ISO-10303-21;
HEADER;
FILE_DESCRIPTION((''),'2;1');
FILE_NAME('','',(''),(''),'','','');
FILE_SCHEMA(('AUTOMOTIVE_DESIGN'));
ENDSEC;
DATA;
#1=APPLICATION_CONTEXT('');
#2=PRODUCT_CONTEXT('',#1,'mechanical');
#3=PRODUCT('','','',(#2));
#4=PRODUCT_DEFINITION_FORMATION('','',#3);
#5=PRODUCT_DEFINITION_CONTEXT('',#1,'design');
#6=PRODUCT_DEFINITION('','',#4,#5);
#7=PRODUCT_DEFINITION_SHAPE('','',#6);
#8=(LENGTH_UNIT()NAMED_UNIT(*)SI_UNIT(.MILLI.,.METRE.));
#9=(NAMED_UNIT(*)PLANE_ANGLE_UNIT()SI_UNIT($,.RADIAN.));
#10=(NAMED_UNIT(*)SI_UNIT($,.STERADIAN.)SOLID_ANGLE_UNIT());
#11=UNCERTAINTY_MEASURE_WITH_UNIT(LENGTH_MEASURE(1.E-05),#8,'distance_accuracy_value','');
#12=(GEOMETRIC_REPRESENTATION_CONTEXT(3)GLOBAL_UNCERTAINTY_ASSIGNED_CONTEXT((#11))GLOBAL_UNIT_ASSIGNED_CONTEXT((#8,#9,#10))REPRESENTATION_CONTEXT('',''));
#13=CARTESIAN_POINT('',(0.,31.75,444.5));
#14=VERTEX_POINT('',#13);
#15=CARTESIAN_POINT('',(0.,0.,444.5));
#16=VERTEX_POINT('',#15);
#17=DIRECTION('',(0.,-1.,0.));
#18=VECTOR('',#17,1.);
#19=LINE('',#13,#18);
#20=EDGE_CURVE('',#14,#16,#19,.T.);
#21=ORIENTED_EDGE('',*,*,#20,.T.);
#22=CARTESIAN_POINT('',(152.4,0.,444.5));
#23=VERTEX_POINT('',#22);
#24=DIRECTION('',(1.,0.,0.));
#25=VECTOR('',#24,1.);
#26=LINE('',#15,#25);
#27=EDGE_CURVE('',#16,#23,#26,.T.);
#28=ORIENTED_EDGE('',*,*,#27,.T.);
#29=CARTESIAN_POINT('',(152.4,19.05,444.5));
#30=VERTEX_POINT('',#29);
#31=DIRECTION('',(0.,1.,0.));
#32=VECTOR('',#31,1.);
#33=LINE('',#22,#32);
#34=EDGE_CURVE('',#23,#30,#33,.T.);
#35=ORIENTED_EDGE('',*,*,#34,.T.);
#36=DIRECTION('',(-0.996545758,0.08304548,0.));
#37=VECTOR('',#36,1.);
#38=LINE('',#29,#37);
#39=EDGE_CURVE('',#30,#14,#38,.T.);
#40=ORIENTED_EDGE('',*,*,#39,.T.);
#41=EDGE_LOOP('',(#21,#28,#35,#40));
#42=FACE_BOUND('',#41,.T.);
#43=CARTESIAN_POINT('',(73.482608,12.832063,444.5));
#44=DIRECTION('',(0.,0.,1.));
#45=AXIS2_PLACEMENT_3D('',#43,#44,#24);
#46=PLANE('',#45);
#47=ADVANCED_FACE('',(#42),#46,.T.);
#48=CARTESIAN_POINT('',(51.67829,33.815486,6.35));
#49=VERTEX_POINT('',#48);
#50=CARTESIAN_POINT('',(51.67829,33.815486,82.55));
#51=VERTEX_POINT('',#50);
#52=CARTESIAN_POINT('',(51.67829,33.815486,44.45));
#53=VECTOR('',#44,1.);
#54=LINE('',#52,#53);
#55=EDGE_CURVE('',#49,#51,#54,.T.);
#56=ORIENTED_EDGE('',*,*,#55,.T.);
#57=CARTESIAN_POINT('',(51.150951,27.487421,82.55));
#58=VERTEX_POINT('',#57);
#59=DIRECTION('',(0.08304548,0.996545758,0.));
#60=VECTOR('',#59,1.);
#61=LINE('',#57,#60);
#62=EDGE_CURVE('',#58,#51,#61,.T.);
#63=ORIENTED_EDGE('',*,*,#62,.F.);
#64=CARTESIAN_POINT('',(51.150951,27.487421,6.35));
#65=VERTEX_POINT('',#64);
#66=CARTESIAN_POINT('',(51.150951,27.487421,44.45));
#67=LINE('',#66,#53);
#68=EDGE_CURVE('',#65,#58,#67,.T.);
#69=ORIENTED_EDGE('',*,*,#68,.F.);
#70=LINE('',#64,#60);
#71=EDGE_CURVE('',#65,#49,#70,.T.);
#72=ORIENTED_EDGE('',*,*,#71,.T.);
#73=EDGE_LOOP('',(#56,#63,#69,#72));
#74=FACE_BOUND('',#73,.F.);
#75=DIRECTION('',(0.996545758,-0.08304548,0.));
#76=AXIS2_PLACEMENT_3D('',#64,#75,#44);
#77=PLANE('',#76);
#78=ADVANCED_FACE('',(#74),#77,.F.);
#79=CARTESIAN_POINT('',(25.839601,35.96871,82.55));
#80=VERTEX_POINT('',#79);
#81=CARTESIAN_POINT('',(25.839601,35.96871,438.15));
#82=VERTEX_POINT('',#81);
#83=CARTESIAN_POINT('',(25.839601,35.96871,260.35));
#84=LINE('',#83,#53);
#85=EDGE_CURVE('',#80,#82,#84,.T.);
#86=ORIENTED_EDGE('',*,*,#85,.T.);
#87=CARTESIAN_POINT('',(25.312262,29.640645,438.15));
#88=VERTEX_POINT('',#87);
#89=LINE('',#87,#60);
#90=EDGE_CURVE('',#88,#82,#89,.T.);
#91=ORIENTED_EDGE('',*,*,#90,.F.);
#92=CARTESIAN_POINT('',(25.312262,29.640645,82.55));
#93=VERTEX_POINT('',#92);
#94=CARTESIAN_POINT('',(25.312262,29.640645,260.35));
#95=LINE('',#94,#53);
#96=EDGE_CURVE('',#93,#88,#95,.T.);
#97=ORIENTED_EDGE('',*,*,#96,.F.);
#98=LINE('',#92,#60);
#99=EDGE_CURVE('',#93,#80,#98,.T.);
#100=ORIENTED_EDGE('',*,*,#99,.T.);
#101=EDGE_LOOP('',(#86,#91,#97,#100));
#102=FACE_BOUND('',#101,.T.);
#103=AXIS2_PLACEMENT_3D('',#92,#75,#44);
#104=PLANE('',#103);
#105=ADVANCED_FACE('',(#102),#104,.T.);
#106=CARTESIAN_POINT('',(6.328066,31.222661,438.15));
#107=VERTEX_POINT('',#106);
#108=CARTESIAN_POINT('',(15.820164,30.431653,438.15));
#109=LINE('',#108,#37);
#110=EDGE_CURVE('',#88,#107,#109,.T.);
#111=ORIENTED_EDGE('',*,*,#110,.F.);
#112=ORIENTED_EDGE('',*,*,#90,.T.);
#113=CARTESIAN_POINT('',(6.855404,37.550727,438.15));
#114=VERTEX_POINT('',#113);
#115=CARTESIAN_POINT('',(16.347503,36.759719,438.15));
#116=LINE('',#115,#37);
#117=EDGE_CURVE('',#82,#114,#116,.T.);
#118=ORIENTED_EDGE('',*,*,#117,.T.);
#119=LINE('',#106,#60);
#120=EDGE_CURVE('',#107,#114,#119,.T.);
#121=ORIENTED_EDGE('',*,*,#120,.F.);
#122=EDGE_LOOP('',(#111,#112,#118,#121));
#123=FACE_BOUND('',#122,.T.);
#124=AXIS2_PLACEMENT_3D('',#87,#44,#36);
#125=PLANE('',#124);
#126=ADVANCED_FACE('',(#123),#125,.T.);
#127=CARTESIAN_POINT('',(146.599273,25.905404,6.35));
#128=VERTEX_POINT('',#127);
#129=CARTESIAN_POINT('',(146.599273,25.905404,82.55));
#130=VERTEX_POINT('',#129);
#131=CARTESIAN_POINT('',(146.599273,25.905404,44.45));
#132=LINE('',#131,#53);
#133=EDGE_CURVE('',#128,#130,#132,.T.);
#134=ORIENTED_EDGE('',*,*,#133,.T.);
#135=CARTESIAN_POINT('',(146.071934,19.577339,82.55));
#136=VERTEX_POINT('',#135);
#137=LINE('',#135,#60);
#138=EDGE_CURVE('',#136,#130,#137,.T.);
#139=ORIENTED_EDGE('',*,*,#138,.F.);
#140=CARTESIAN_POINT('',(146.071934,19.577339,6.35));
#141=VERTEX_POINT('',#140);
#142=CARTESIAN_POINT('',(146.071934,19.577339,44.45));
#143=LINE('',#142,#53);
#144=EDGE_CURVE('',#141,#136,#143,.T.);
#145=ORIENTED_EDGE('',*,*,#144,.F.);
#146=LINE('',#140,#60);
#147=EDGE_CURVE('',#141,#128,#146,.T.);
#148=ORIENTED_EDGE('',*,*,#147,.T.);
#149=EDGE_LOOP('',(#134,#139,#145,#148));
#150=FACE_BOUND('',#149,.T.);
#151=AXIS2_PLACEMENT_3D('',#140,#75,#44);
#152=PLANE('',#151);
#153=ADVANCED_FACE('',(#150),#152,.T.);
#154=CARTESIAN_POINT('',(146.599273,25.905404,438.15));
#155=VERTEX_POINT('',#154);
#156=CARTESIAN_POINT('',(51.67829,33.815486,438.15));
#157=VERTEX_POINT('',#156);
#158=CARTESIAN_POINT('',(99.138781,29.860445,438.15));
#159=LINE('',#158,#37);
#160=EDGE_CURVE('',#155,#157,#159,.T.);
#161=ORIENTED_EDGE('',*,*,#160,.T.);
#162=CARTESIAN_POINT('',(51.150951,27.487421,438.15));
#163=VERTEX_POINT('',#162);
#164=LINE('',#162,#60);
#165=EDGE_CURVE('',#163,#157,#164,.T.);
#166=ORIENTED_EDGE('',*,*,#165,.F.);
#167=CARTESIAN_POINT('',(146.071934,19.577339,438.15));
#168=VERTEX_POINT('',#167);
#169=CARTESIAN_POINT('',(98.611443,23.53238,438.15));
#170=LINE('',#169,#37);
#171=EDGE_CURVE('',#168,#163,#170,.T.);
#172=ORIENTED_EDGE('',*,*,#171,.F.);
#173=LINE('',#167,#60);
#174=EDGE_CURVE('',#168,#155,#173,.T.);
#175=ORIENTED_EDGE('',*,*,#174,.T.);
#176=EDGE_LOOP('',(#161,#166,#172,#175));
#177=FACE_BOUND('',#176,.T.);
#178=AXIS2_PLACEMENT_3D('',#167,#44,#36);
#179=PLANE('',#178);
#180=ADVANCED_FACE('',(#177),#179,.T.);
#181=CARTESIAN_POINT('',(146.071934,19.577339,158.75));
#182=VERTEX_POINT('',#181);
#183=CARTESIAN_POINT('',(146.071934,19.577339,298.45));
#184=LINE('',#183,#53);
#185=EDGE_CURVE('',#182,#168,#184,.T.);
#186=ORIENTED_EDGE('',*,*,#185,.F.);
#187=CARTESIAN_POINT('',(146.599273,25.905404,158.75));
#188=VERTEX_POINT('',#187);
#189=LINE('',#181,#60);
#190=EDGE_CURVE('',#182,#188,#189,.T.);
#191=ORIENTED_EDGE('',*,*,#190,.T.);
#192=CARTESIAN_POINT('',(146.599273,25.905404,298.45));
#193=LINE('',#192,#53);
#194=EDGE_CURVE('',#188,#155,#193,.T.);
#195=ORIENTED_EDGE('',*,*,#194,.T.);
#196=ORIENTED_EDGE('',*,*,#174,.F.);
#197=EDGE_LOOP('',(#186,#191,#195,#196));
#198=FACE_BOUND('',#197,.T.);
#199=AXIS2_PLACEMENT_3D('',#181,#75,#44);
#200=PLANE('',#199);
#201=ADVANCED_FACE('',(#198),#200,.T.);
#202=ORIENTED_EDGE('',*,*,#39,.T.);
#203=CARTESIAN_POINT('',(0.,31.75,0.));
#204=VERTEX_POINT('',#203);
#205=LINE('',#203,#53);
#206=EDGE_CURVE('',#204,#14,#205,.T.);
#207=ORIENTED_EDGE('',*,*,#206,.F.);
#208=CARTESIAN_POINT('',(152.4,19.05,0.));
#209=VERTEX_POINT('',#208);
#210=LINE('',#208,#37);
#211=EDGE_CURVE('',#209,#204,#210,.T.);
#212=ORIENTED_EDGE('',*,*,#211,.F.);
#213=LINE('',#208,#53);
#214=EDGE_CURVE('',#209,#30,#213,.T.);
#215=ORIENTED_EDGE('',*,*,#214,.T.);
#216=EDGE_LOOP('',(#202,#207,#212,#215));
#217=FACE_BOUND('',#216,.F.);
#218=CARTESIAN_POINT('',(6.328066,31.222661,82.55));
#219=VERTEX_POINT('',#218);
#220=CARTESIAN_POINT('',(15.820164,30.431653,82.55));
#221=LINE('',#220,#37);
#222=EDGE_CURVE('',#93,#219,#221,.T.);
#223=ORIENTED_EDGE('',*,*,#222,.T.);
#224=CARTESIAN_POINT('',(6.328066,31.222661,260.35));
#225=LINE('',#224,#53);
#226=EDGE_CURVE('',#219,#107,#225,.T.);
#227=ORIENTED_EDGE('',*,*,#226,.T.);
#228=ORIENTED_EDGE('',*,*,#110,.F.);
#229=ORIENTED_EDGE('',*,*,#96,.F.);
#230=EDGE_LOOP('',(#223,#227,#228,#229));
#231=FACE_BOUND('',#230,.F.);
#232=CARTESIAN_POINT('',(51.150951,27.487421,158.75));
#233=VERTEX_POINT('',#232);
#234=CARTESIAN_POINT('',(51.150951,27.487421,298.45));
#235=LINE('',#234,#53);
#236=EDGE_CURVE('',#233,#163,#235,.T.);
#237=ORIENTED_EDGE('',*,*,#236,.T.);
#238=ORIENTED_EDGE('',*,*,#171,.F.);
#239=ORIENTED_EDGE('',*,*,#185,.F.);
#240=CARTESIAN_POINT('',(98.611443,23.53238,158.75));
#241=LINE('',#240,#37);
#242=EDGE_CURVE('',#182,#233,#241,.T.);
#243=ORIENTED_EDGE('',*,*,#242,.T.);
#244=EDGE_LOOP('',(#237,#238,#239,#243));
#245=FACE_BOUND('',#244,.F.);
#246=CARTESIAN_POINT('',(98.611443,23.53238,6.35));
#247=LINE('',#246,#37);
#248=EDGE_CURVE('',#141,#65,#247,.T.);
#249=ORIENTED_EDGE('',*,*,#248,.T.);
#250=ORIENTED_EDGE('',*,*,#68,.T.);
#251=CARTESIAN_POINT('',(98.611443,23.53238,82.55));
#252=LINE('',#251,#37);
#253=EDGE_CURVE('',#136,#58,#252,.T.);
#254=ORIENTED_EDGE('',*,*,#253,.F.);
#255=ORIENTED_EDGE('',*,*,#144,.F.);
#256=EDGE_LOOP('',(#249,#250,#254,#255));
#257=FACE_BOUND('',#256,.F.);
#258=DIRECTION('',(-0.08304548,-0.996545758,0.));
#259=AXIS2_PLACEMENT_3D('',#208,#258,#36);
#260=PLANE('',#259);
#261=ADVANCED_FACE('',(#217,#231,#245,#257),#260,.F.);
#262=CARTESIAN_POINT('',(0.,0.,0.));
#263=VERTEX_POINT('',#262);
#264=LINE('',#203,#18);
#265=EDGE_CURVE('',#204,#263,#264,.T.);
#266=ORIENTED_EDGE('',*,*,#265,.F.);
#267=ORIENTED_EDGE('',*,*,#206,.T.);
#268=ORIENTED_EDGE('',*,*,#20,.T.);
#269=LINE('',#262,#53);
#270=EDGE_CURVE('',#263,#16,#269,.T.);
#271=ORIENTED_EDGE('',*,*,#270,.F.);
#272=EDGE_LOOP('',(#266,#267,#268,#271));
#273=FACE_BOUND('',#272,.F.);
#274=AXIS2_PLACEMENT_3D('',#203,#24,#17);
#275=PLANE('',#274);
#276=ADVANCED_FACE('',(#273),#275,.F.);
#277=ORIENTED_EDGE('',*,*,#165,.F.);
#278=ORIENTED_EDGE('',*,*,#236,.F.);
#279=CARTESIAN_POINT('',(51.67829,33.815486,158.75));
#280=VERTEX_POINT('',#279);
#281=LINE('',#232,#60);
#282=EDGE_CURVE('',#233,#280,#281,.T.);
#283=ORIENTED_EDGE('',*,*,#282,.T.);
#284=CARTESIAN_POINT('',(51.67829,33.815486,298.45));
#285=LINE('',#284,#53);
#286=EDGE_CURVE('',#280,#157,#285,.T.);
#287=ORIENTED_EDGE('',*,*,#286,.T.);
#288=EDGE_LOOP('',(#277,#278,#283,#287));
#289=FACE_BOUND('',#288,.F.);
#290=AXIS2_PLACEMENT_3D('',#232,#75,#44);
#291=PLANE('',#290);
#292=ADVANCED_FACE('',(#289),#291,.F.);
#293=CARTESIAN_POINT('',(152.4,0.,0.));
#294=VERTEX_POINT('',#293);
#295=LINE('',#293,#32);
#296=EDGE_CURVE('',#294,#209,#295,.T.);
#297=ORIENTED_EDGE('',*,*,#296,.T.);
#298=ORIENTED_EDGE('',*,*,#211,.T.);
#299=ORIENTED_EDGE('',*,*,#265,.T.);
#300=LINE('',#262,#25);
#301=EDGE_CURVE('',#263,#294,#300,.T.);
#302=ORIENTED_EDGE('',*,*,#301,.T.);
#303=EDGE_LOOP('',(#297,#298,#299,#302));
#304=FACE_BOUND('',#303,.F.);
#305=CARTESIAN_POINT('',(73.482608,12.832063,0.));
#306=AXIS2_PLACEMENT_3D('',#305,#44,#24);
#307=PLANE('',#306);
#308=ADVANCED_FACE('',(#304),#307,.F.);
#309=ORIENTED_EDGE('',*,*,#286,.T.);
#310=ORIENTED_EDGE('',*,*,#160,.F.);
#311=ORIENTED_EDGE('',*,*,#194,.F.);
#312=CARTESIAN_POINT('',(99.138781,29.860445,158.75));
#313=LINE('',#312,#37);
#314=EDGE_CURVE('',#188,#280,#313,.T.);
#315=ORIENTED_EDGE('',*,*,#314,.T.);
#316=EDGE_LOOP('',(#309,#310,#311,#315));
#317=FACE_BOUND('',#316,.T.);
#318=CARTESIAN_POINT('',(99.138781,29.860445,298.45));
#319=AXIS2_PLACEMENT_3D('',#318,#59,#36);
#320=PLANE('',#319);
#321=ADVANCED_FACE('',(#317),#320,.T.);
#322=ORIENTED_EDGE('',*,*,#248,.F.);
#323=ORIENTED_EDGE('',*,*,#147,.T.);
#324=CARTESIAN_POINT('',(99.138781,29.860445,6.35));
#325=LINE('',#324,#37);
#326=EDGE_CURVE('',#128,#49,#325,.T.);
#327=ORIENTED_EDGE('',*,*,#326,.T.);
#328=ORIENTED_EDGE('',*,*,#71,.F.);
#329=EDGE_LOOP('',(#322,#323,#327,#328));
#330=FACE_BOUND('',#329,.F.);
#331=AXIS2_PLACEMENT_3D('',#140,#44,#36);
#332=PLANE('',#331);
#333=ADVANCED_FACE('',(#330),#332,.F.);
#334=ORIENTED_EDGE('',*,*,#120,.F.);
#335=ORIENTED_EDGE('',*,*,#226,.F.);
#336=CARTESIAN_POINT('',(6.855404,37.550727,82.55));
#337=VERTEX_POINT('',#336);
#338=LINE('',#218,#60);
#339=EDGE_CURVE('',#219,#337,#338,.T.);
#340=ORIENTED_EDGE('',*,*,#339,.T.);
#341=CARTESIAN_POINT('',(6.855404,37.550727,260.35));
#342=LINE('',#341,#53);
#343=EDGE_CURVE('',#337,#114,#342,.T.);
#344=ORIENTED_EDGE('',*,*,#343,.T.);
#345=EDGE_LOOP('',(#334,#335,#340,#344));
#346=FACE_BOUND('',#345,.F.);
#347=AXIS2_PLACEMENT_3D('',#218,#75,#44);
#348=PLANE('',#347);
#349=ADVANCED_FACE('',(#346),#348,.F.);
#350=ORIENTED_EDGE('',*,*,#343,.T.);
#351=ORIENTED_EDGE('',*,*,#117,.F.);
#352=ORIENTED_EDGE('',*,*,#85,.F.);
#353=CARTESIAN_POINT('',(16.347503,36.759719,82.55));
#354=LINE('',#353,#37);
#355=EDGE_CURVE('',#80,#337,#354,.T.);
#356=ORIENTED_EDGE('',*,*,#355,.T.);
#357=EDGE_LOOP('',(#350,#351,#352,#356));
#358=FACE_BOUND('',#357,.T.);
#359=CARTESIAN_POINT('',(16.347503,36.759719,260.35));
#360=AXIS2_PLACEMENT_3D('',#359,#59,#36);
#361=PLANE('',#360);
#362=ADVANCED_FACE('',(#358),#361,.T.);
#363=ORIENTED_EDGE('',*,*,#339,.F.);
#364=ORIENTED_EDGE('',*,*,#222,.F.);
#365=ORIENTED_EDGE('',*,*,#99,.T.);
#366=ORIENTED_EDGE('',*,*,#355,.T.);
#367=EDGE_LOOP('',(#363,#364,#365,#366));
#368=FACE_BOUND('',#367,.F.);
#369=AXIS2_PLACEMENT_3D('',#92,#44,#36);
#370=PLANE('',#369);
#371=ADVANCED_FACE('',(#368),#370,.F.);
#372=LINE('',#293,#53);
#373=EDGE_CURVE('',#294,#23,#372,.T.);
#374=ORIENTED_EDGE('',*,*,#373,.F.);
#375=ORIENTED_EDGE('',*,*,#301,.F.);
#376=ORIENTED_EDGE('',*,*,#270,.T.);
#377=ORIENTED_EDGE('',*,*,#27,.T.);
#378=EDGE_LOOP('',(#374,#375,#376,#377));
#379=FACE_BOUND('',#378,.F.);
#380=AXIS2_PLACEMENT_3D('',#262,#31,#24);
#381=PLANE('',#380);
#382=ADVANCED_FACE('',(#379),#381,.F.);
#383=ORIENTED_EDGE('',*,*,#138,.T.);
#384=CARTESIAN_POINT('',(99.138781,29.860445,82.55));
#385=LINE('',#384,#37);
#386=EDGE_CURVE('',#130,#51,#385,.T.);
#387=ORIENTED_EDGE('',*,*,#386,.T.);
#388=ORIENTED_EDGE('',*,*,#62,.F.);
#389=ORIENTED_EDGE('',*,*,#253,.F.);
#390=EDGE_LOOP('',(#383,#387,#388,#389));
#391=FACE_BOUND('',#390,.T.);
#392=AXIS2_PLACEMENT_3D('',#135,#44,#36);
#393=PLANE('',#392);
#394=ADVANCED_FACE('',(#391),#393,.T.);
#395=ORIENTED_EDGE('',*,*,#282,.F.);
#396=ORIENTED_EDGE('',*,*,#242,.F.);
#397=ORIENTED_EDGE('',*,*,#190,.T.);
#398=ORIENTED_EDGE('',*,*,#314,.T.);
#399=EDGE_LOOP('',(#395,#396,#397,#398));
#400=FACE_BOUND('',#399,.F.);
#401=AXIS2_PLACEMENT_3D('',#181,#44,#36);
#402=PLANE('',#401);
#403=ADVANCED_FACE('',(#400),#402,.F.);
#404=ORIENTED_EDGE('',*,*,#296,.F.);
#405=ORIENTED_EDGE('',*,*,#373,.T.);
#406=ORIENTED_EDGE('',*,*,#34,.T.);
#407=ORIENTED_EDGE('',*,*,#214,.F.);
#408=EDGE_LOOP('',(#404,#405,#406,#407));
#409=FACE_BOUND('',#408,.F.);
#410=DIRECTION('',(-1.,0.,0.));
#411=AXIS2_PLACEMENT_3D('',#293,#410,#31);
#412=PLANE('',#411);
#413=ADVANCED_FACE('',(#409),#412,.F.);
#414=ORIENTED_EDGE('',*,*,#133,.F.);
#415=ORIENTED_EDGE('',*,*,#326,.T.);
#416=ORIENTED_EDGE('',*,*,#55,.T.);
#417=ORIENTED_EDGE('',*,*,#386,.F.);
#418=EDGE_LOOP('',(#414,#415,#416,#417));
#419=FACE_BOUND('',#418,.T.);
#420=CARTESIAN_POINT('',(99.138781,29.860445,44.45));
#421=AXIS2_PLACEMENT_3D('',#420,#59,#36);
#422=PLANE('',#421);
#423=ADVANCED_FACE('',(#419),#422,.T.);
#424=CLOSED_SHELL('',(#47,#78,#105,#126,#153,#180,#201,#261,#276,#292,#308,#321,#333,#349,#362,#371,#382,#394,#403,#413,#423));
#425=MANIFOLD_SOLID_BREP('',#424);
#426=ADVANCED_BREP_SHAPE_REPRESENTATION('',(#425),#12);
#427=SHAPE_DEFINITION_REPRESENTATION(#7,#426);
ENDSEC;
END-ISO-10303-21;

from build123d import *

# Parameters (mm, degrees)
F1_DEPTH = 444.5
F2_W     = 95.25
F2_H     = 279.4
F2_W_2   = 19.05
F2_H_2   = 355.6
F2_H_3   = 76.2
F3_DEPTH = 6.35


with BuildPart() as f1:
    # F0 (on Top) → F1 (new body)
    with BuildSketch(Plane.XY):
        Polygon((0, 31.75), (0, 0), (152.4, 0), (152.4, 19.05), align=None)
    extrude(amount=F1_DEPTH)

    # F2 (on face) → F3 (join)
    with BuildSketch(Plane(origin=(2.6275862069, 31.5310344828, 0), x_dir=(-0.9965457582, 0.0830454799, 0), z_dir=(0.0830454799, 0.9965457582, 0))):
        with Locations((-96.3165571653, 298.45)):
            Rectangle(F2_W, F2_H)
        with Locations((-13.2383060146, 260.35)):
            Rectangle(F2_W_2, F2_H_2)
        with Locations((-96.3165571653, 44.45)):
            Rectangle(F2_W, F2_H_3)
    extrude(amount=F3_DEPTH)


solid = f1.part
